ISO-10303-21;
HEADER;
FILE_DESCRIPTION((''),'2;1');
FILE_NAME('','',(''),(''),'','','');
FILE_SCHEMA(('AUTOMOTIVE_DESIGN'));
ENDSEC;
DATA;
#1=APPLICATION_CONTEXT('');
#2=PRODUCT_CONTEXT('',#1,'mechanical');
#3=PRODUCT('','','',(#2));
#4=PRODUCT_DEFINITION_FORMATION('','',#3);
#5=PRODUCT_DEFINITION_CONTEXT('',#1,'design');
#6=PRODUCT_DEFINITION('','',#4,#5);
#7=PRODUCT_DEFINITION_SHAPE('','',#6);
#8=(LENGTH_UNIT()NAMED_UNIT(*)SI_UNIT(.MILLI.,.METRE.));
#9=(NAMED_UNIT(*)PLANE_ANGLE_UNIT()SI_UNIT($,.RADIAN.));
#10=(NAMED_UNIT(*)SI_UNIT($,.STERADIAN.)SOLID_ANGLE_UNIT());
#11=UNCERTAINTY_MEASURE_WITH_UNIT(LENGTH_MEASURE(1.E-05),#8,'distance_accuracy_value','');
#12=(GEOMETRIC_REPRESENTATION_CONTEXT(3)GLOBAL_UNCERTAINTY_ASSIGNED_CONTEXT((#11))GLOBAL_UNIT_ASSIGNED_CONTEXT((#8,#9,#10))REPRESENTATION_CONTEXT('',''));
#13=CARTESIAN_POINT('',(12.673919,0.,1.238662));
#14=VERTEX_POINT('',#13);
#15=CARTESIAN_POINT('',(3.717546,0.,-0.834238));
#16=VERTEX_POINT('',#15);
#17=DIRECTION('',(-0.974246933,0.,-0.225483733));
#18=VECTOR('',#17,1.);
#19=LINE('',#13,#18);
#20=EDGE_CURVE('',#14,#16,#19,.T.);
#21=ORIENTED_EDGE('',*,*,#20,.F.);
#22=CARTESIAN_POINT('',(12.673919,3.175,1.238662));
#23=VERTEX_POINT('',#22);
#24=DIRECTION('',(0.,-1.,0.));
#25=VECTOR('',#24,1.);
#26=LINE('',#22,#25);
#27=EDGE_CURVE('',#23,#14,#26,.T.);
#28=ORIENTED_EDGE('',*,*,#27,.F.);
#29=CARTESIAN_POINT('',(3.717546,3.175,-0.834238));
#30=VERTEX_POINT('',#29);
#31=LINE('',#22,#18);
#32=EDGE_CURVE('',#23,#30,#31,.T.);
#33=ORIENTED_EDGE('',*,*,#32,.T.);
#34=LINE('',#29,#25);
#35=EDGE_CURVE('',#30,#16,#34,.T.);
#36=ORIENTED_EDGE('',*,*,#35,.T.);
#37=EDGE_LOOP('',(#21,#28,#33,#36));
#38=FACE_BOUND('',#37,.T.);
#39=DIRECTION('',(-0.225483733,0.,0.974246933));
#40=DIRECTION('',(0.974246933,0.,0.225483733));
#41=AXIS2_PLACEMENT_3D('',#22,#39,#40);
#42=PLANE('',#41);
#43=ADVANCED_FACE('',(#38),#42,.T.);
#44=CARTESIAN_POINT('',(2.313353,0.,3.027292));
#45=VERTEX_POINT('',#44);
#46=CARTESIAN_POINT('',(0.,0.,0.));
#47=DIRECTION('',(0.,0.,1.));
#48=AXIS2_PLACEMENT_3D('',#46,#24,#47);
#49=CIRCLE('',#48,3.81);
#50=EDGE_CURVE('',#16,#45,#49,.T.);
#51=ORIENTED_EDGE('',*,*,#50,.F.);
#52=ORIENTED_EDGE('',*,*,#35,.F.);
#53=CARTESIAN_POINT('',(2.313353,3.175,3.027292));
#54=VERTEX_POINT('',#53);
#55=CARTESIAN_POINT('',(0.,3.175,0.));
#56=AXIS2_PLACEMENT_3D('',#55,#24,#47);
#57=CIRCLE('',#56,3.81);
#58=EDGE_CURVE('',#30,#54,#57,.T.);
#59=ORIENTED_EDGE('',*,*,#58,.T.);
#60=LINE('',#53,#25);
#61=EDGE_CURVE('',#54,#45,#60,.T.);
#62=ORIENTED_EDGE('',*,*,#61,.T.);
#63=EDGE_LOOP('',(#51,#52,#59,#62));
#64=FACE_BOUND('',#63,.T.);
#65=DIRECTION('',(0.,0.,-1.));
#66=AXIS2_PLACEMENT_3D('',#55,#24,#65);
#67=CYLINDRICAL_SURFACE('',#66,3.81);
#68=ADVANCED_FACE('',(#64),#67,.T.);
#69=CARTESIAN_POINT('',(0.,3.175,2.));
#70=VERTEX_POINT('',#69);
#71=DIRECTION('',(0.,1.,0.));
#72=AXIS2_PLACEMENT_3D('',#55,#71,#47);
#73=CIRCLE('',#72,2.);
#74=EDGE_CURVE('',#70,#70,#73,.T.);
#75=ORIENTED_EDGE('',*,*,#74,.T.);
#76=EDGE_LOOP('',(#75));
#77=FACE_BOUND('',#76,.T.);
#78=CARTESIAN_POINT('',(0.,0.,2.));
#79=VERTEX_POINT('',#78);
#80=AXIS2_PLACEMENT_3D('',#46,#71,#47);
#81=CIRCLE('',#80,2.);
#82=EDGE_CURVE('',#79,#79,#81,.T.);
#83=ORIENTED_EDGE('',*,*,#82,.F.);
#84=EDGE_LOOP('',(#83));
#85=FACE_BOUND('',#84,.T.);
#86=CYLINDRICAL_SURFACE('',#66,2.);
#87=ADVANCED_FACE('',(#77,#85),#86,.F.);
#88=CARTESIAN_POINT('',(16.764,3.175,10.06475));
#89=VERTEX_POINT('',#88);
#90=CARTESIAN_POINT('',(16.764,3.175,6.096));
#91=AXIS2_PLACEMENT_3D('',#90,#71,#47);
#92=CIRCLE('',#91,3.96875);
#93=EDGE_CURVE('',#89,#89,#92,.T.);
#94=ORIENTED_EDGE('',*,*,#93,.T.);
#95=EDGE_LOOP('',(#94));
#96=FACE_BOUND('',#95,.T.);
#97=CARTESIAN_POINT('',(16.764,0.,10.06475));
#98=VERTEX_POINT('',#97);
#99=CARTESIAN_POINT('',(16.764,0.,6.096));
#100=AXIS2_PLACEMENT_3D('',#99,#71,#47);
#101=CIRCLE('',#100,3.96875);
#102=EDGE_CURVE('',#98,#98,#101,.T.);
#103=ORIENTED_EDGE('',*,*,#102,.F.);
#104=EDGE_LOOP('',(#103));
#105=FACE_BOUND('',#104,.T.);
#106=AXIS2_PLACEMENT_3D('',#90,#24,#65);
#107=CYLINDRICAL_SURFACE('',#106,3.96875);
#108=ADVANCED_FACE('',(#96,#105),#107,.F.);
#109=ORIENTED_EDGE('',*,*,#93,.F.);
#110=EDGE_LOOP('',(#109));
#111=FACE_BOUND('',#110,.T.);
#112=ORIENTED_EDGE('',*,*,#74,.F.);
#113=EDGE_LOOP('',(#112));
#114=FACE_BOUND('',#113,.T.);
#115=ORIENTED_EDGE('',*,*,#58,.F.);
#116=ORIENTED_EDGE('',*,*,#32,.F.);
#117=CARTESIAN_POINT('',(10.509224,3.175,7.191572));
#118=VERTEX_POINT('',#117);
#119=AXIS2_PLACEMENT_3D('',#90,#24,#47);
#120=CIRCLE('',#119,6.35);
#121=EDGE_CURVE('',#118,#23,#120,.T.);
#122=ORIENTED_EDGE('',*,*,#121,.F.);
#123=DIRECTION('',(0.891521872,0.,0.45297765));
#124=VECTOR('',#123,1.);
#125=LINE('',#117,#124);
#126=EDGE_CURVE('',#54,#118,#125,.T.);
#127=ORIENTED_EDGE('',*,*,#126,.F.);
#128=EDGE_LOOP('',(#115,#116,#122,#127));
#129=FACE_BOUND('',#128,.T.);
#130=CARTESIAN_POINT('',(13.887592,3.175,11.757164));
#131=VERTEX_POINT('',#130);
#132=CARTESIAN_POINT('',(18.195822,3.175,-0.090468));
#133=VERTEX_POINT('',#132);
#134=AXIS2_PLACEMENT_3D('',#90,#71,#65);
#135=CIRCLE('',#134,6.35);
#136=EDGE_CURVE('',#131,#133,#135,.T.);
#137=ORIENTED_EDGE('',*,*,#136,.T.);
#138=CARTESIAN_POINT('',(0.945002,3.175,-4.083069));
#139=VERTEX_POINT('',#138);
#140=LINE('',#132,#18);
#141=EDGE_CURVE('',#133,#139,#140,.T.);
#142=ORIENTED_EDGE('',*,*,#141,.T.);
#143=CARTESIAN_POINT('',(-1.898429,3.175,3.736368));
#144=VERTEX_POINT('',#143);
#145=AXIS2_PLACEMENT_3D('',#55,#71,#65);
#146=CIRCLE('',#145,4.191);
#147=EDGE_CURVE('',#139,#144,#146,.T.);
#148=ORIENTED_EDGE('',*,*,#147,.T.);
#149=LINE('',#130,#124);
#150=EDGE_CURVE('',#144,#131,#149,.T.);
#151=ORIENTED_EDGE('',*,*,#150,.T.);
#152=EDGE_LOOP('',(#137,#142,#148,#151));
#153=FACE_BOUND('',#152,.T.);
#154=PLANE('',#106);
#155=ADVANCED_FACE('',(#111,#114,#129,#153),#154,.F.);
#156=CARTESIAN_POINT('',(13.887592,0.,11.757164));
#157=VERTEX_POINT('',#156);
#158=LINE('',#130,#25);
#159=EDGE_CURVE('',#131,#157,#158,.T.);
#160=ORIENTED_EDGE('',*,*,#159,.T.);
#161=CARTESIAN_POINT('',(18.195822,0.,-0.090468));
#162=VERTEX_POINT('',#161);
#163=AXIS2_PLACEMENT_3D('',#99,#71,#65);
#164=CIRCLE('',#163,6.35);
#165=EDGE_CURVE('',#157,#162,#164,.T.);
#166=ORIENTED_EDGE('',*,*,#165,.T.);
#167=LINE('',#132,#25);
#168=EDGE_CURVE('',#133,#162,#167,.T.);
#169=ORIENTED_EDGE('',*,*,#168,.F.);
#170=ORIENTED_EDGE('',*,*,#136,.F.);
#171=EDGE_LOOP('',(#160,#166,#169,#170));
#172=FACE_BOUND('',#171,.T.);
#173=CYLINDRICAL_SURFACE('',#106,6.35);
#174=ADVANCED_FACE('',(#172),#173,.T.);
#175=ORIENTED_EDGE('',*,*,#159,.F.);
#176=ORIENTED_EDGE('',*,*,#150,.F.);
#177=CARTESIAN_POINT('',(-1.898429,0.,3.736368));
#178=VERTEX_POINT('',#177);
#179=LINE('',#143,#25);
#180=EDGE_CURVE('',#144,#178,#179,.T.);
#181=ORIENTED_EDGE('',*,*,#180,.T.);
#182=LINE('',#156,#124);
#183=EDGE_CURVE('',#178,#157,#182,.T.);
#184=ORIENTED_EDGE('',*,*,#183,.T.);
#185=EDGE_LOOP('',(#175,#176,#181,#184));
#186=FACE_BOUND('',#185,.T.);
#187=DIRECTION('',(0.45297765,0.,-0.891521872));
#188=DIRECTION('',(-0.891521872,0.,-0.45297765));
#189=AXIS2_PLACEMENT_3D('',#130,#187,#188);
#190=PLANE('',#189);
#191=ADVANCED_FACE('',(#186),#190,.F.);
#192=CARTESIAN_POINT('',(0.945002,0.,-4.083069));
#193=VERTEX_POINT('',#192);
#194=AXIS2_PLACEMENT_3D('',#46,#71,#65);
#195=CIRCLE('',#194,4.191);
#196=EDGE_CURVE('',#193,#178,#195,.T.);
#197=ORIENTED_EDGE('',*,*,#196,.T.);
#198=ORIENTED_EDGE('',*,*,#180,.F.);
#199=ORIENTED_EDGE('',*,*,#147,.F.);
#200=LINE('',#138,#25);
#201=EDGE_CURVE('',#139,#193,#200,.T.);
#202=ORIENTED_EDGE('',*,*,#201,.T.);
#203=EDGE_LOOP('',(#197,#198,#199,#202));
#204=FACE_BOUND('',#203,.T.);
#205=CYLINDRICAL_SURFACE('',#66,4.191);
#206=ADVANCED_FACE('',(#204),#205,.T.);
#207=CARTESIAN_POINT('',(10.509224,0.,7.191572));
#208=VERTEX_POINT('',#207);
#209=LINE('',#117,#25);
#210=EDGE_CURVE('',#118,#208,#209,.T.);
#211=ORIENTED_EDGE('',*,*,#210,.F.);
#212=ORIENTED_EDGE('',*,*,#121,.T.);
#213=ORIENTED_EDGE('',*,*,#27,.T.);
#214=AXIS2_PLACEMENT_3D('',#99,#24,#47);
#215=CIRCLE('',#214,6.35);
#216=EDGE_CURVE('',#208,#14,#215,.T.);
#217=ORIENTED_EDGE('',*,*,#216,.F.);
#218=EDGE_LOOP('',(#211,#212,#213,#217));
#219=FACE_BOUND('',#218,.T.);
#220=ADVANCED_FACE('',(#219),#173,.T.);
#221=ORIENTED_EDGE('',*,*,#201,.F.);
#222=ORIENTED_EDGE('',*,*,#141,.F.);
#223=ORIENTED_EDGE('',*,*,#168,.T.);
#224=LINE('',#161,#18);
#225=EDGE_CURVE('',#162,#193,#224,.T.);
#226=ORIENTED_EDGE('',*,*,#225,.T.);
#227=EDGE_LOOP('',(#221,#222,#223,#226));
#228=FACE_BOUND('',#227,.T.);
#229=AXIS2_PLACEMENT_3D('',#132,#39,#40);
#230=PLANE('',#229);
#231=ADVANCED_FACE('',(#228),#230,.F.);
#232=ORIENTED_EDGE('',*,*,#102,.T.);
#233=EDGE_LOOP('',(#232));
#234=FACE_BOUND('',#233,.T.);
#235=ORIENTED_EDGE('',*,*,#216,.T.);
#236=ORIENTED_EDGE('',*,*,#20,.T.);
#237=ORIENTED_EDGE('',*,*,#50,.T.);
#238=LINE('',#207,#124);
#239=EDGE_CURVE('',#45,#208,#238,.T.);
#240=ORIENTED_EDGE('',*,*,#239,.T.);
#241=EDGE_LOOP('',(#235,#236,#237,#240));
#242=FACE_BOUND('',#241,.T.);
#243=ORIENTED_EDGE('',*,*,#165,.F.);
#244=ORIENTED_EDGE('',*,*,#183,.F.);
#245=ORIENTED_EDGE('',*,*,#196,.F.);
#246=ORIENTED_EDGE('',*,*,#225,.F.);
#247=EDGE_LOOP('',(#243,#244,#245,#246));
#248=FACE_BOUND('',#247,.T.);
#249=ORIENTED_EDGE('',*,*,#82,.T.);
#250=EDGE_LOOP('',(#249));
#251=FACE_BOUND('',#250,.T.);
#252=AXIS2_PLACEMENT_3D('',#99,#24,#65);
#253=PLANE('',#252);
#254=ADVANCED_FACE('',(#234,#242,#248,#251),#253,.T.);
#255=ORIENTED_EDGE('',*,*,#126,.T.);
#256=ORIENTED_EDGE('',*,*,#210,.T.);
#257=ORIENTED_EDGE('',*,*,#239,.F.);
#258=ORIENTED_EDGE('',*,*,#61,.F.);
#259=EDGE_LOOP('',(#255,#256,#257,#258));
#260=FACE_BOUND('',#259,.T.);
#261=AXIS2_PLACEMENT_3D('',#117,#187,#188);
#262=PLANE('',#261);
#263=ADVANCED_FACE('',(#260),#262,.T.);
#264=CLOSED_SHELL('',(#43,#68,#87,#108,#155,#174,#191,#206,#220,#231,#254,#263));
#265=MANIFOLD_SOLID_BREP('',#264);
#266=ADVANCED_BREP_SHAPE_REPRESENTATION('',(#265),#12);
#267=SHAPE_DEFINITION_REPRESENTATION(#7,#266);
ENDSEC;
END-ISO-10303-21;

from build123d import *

# Parameters (mm, degrees)
SKETCH1_R           = 2
SKETCH1_R_2         = 3.96875
BOSS_EXTRUDE1_DEPTH = 3.175


with BuildPart() as part:
    # Sketch1 → Boss-Extrude1 (new body)
    with BuildSketch(Plane(origin=(0, 0, 0), x_dir=(1, 0, 0), z_dir=(0, 1, 0))):
        with BuildLine():
            Line((18.195821705, 0.090468023), (0.945002326, 4.083068895))
            ThreePointArc((0.945002326, 4.083068895), (-3.938674238, 1.432245177), (-1.898429333, -3.736368165))
            Line((-1.898429333, -3.736368165), (13.88759192, -11.757163887))
            ThreePointArc((13.88759192, -11.757163887), (22.731688239, -8.266068451), (18.195821705, 0.090468023))
        make_face()
        Circle(SKETCH1_R, mode=Mode.SUBTRACT)
        with Locations((16.764, -6.096)):
            Circle(SKETCH1_R_2, mode=Mode.SUBTRACT)
        with BuildLine():
            Line((10.509224042, -7.191571868), (2.313352981, -3.027292187))
            ThreePointArc((2.313352981, -3.027292187), (3.580612943, -1.30204107), (3.717545806, 0.834238083))
            Line((3.717545806, 0.834238083), (12.673918605, -1.238661822))
            ThreePointArc((12.673918605, -1.238661822), (10.796311761, -3.925931549), (10.509224042, -7.191571868))
        make_face(mode=Mode.SUBTRACT)
    extrude(amount=BOSS_EXTRUDE1_DEPTH)


solid = part.part
